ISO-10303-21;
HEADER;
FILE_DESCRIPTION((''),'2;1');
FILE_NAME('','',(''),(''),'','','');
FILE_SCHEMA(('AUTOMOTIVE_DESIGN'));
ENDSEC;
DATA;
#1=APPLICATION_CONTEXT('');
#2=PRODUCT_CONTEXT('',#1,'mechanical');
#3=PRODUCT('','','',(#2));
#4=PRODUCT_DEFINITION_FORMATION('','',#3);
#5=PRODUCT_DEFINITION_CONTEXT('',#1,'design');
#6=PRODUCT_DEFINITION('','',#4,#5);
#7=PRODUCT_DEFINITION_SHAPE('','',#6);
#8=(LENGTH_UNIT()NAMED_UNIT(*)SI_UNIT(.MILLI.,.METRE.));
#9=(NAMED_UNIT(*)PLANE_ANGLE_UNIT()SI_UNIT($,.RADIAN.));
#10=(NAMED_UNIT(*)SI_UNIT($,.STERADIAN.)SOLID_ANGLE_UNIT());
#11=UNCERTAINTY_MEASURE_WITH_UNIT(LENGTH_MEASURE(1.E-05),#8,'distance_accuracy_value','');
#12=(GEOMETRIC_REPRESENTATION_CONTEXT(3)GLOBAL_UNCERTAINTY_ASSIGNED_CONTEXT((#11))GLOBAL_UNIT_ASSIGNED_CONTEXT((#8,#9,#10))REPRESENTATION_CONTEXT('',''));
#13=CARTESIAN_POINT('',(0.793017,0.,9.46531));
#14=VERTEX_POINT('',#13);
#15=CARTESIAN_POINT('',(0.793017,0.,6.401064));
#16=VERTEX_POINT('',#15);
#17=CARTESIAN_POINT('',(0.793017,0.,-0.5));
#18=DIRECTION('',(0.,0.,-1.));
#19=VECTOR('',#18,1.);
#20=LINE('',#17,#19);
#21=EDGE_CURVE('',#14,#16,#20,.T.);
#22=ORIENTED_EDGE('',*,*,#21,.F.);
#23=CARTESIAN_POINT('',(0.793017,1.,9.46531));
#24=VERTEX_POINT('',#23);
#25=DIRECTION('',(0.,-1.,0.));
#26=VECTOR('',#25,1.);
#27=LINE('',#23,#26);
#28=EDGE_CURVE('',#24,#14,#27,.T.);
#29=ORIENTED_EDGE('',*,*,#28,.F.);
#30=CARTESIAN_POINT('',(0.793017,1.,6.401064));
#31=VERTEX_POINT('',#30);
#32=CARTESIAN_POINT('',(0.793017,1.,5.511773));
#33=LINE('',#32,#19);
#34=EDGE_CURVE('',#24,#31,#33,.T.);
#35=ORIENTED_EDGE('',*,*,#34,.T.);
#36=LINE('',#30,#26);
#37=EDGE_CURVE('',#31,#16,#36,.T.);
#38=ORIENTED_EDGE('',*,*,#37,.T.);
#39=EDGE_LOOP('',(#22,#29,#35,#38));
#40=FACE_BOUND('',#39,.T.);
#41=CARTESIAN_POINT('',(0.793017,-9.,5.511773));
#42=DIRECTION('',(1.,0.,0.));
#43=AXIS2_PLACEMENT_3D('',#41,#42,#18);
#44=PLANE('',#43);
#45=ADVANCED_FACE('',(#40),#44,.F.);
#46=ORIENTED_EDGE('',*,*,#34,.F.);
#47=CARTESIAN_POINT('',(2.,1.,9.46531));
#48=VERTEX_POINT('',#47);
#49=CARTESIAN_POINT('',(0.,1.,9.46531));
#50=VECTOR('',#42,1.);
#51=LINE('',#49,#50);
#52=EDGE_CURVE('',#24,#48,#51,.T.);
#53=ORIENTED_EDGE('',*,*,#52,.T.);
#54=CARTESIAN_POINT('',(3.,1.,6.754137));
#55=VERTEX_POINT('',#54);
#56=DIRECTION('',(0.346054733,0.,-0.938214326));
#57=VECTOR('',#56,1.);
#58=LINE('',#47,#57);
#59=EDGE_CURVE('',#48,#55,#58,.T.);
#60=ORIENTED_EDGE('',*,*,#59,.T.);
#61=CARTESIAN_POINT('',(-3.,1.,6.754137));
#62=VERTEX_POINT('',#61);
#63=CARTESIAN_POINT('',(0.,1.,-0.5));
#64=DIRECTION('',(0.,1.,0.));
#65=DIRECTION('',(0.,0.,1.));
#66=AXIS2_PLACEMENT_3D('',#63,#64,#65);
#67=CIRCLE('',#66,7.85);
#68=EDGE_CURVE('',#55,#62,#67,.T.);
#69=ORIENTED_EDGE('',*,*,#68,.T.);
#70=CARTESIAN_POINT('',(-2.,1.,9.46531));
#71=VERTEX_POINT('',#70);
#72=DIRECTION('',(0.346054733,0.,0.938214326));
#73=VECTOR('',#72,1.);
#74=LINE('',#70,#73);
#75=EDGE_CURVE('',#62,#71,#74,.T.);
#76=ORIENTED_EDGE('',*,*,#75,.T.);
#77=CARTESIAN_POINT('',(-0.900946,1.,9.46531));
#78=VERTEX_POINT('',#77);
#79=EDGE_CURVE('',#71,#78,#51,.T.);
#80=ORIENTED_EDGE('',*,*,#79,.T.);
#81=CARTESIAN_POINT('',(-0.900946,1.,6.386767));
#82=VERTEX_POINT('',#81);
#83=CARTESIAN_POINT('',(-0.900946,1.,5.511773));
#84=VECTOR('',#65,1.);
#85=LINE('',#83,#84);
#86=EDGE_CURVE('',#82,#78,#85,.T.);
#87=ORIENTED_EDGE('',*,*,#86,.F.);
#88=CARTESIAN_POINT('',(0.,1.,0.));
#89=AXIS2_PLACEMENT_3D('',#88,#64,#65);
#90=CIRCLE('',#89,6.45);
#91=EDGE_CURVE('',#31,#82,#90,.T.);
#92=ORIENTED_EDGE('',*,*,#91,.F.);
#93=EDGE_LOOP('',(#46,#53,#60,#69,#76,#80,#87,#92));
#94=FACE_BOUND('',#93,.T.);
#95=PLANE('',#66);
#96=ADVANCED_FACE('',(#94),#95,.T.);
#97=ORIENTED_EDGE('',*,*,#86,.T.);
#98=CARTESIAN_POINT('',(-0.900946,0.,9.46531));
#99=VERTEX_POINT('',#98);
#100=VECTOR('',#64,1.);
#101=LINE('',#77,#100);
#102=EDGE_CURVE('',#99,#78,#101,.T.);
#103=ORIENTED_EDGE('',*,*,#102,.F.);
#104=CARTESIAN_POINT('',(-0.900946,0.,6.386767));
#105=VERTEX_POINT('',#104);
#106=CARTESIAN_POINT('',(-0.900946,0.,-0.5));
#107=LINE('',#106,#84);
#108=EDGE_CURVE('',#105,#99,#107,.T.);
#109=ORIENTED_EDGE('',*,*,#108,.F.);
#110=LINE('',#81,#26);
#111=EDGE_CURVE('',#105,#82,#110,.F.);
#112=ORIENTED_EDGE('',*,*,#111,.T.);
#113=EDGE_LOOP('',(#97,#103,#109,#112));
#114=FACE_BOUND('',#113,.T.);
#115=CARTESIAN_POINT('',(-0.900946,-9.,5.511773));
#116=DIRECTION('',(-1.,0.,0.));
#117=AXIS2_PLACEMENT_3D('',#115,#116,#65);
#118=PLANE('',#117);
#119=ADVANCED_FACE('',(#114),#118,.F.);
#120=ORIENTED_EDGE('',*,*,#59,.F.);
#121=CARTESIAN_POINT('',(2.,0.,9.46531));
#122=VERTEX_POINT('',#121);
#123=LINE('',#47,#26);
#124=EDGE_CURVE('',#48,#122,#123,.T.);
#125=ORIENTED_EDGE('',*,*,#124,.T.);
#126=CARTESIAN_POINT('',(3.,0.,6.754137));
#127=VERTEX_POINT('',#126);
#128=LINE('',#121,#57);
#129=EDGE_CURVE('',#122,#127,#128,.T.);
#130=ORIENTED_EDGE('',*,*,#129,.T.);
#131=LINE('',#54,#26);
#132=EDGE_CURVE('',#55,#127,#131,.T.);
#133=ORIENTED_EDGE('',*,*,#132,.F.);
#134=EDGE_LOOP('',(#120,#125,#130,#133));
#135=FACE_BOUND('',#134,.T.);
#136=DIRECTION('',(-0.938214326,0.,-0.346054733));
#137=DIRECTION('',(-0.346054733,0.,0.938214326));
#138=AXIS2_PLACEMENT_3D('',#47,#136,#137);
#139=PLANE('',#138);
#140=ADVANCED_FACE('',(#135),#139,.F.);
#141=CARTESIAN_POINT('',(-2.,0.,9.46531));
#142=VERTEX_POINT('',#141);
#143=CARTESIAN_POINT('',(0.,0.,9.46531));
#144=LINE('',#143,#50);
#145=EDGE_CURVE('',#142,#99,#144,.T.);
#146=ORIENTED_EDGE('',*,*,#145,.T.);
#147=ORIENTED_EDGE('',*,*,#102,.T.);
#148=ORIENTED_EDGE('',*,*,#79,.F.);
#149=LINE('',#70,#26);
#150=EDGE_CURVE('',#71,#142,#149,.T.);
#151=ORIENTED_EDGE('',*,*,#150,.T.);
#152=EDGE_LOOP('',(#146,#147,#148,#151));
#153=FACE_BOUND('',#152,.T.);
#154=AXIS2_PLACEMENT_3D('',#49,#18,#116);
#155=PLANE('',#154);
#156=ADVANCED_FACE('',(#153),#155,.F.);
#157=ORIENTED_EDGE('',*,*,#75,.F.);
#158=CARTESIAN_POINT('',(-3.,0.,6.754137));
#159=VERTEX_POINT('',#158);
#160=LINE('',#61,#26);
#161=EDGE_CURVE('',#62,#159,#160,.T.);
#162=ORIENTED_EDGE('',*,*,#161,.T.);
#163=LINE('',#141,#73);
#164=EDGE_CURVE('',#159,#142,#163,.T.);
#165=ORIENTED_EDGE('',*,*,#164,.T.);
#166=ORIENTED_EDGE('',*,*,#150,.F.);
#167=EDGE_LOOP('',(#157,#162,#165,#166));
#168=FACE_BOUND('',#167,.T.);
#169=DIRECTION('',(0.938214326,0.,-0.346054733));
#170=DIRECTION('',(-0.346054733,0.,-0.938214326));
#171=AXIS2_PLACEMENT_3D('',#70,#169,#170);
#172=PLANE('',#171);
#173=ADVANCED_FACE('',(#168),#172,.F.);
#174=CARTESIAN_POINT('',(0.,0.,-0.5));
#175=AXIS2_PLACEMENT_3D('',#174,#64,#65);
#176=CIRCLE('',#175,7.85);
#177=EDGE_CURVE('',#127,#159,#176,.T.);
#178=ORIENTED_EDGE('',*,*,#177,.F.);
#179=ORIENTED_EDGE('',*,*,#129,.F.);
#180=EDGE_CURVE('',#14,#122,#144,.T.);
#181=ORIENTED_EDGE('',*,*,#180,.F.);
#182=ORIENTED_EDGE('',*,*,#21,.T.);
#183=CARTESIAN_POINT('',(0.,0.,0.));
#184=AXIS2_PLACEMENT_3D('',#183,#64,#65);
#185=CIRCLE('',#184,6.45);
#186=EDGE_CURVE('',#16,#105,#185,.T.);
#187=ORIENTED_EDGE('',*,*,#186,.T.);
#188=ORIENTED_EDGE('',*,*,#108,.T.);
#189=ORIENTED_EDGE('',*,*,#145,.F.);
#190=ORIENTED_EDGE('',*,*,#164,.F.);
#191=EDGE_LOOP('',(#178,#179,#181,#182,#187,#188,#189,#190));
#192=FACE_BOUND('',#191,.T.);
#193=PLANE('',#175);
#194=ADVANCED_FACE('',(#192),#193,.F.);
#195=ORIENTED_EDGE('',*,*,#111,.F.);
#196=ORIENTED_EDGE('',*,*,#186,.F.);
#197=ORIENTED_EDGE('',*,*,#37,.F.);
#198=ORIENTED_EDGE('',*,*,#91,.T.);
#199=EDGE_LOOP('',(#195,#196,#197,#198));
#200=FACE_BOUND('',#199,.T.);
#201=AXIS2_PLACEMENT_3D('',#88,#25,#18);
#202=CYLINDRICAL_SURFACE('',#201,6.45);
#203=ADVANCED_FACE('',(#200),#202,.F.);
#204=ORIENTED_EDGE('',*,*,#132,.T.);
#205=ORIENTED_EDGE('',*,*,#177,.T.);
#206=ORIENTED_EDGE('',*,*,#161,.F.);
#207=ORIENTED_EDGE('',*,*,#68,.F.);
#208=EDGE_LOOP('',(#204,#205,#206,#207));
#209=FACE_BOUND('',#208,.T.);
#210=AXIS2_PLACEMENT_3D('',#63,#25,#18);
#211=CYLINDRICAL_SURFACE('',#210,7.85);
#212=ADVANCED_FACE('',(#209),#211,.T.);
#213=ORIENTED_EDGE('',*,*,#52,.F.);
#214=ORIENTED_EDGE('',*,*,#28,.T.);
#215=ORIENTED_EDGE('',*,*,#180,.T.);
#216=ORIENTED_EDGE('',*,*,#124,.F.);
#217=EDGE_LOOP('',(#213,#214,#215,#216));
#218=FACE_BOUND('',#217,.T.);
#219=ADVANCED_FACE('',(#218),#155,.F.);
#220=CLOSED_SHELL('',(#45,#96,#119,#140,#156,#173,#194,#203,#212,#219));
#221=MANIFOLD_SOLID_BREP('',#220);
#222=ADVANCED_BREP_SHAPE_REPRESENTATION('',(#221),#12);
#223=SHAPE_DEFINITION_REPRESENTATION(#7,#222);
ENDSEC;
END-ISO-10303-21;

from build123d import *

# Parameters (mm, degrees)
SKETCH_1_R          = 6.45
EXTRUDE_1_DEPTH     = 1
SKETCH_2_W          = 1.693962672
SKETCH_2_H          = 6.211196465
CUT_EXTRUDE_1_DEPTH = 10


with BuildPart() as part:
    # 草图1 → 凸台-拉伸1 (new body)
    with BuildSketch(Plane(origin=(0, 0, 0), x_dir=(1, 0, 0), z_dir=(0, 1, 0))):
        with BuildLine():
            Line((0, -9.465309979), (2, -9.465309979))
            Line((2, -9.465309979), (3, -6.754136751))
            ThreePointArc((3, -6.754136751), (0, 8.35), (-3, -6.754136751))
            Line((-3, -6.754136751), (-2, -9.465309979))
            Line((-2, -9.465309979), (0, -9.465309979))
        make_face()
        with Locations(Location((0, 0, 0), (0, 0, 270))):
            Circle(SKETCH_1_R, mode=Mode.SUBTRACT)
    extrude(amount=EXTRUDE_1_DEPTH)

    # 草图2 → 切除-拉伸1 (cut)
    with BuildSketch(Plane(origin=(0, 1, 0), x_dir=(1, 0, 0), z_dir=(0, 1, 0))):
        with Locations((-0.053964614, -8.617371485)):
            Rectangle(SKETCH_2_W, SKETCH_2_H)
    extrude(amount=-CUT_EXTRUDE_1_DEPTH, mode=Mode.SUBTRACT)


solid = part.part
